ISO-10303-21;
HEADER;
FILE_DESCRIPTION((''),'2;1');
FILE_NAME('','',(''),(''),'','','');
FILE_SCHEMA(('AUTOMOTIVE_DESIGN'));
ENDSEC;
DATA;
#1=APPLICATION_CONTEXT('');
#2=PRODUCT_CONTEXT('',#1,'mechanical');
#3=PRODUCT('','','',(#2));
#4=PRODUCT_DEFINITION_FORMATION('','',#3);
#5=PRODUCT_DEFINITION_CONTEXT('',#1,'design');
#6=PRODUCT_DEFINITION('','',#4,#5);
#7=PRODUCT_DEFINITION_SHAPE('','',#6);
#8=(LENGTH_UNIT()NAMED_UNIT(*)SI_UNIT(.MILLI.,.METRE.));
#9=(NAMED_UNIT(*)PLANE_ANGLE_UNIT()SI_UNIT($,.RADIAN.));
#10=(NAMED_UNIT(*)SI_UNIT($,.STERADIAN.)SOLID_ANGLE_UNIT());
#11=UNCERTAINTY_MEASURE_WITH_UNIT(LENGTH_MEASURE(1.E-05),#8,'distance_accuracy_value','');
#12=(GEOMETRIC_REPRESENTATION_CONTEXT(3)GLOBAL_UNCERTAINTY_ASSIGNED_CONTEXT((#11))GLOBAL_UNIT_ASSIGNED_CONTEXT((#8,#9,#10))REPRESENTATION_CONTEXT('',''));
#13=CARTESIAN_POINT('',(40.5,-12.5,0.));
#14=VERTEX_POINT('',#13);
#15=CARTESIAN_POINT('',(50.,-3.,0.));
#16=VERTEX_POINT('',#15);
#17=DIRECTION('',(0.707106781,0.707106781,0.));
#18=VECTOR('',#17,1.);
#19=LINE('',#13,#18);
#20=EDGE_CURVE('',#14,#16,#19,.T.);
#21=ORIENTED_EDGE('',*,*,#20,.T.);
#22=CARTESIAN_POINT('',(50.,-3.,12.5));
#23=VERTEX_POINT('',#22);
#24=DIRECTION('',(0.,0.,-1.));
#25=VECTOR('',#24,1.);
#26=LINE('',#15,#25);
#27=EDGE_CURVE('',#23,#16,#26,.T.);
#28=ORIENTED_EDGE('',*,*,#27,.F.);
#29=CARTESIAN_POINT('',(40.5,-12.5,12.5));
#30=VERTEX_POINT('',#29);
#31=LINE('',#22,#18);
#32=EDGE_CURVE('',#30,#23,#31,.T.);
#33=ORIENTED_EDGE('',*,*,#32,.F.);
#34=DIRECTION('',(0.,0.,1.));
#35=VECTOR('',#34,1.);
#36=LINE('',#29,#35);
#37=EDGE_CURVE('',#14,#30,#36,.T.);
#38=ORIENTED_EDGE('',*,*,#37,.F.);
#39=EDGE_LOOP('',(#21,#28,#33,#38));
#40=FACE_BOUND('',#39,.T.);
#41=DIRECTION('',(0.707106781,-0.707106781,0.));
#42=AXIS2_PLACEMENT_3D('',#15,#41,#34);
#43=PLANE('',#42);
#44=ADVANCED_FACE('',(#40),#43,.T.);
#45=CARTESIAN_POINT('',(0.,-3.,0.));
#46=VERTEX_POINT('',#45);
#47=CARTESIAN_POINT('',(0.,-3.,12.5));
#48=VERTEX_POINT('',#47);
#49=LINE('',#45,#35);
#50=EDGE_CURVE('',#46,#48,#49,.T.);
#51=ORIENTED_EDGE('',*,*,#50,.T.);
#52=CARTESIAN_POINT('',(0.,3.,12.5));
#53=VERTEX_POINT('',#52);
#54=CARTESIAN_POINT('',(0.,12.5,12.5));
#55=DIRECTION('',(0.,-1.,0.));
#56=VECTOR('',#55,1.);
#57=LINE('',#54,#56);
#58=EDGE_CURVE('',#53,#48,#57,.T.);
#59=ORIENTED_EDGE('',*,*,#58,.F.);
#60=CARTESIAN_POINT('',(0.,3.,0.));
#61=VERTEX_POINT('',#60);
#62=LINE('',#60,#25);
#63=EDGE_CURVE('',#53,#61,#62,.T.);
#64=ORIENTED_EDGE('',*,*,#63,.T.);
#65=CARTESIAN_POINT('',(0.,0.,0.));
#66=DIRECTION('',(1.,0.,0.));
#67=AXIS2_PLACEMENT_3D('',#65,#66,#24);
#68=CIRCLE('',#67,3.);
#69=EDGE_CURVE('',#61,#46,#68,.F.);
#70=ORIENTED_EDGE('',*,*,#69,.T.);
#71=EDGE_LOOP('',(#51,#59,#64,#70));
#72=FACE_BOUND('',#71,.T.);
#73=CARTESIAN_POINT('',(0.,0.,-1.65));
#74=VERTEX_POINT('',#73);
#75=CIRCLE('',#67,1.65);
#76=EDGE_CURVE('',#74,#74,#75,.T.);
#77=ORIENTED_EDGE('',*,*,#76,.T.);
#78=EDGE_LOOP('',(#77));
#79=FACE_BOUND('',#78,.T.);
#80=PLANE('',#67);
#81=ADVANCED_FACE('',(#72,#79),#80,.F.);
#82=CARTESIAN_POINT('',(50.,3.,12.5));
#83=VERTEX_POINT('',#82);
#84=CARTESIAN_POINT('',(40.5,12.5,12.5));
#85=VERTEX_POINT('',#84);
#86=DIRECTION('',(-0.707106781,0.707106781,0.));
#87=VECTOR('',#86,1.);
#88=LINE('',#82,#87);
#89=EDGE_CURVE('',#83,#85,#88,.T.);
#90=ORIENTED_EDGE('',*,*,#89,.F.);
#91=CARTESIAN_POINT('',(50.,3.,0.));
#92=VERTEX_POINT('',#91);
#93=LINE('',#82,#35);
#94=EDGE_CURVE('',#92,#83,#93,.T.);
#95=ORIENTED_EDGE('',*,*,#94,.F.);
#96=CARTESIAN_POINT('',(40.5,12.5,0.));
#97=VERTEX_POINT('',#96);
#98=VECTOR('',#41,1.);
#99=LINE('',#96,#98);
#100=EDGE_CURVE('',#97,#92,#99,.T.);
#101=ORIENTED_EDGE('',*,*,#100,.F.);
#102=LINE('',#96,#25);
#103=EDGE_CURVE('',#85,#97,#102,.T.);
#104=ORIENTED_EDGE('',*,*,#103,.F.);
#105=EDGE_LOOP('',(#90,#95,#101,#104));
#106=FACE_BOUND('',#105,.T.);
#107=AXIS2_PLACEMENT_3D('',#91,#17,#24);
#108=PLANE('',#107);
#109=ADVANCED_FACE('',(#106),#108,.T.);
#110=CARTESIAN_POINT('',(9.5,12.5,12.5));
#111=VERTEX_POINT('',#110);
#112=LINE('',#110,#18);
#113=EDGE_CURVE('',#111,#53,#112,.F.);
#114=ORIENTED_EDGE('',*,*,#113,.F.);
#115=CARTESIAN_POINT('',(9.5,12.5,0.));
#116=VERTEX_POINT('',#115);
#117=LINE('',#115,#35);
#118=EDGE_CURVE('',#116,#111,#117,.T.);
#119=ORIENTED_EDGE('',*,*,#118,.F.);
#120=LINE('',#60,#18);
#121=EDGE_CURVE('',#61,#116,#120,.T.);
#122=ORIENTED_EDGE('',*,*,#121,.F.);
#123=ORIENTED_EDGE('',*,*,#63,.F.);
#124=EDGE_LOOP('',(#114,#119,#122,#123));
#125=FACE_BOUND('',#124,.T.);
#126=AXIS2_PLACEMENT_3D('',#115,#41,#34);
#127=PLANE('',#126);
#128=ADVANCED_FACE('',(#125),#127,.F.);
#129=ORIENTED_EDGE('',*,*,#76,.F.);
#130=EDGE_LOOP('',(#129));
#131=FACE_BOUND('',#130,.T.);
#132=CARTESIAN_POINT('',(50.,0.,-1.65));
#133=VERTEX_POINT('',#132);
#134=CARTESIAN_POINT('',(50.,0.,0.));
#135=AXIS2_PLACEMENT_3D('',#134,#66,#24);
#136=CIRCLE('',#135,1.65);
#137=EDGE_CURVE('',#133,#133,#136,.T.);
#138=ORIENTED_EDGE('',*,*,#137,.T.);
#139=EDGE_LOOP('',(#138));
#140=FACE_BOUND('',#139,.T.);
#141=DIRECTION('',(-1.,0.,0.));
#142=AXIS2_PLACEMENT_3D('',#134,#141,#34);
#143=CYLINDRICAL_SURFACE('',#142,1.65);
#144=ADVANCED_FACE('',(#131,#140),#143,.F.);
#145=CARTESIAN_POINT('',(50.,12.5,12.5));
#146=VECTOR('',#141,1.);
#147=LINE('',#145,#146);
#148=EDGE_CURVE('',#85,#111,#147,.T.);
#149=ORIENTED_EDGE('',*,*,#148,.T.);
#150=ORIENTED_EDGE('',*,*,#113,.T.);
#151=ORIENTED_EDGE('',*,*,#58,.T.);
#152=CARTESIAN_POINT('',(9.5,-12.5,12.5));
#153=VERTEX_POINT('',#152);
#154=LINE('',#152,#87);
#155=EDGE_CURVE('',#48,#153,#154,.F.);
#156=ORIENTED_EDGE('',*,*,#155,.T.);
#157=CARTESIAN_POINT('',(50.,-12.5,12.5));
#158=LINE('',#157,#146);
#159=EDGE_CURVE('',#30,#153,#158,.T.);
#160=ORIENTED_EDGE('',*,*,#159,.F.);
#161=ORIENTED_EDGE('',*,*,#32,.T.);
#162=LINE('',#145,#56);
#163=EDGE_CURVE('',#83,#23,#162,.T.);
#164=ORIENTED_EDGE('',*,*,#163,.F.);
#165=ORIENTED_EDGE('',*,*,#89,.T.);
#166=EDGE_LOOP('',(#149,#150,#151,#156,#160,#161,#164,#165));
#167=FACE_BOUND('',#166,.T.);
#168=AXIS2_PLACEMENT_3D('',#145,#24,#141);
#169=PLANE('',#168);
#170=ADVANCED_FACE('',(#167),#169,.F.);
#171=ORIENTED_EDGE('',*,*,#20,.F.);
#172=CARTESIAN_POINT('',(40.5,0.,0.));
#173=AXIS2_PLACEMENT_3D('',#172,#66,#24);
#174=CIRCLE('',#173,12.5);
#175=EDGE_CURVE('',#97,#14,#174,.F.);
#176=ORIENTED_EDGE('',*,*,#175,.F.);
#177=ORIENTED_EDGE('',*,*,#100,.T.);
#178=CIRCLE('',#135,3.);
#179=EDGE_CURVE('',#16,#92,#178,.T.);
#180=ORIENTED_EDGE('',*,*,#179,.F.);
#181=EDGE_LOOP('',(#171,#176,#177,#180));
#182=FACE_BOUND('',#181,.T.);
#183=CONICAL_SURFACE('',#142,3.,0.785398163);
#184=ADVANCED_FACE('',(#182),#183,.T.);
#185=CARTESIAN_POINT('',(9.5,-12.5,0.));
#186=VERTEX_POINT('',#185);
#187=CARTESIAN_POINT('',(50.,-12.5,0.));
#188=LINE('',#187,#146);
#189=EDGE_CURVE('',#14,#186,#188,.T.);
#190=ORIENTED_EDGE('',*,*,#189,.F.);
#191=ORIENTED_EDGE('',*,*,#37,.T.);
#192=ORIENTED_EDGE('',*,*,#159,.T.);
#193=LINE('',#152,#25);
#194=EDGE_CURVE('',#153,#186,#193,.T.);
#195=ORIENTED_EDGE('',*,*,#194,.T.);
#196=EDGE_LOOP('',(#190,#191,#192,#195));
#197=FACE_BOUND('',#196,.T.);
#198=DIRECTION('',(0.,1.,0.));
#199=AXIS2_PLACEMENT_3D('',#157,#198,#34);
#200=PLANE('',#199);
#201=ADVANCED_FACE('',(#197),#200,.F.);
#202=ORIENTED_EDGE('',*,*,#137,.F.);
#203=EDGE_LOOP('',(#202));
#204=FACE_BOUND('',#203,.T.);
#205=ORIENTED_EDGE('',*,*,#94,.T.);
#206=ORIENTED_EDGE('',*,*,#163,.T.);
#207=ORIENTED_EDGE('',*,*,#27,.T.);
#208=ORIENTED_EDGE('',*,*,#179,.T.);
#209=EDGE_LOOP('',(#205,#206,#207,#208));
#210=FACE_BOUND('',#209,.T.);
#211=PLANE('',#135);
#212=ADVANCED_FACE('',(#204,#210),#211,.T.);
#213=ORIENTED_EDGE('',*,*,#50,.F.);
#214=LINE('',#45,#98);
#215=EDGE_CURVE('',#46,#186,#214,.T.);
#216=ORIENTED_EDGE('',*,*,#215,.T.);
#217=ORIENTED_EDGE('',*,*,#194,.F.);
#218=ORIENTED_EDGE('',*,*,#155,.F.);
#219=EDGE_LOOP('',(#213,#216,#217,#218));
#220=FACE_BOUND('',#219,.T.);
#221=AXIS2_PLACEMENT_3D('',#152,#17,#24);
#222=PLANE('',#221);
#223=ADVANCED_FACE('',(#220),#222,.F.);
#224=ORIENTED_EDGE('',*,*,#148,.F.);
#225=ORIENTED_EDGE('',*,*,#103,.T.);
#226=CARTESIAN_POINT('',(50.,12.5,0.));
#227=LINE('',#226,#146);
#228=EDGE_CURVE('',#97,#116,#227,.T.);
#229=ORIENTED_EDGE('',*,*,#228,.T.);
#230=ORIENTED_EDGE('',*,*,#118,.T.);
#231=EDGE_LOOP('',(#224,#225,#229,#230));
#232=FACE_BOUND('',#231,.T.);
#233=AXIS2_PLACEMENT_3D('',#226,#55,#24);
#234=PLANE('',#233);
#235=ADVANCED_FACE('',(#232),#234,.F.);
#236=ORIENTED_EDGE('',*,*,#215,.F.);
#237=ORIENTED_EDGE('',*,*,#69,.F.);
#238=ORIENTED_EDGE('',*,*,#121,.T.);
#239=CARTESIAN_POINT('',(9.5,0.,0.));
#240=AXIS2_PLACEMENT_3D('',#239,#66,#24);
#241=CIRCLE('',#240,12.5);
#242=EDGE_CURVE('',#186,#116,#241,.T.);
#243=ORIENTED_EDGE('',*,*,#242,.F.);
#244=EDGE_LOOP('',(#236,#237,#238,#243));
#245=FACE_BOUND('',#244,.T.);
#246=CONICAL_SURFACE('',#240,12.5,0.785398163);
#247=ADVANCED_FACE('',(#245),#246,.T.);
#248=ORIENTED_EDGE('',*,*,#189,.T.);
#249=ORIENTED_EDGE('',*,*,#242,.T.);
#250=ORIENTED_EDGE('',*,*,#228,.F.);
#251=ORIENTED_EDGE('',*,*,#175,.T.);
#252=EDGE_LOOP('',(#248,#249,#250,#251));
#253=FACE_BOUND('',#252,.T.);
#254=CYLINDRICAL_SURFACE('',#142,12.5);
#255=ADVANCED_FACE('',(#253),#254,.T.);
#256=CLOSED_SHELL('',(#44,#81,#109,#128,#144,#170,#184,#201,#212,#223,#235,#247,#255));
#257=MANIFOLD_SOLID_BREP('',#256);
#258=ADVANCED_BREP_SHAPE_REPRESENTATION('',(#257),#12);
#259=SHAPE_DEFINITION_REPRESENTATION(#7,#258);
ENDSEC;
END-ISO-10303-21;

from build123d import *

# Parameters (mm, degrees)
SKETCH1_R           = 1.65
BOSS_EXTRUDE1_DEPTH = 50
CHAMFER1_SIZE       = 9.5


with BuildPart() as part:
    # Sketch1 → Boss-Extrude1 (new body)
    with BuildSketch(Plane(origin=(0, 0, 0), x_dir=(0, 0, -1), z_dir=(1, 0, 0))):
        with BuildLine():
            Line((0, 12.5), (-12.5, 12.5))
            Line((-12.5, 12.5), (-12.5, -12.5))
            Line((-12.5, -12.5), (0, -12.5))
            ThreePointArc((0, -12.5), (12.5, 0), (0, 12.5))
        make_face()
        Circle(SKETCH1_R, mode=Mode.SUBTRACT)
    extrude(amount=BOSS_EXTRUDE1_DEPTH)

    # Chamfer1
    chamfer1_edges = [part.edges().sort_by_distance(p)[0] for p in [
        (50, 12.5, 6.25),
        (50, -12.5, 6.25),
        (0, 12.5, 6.25),
        (0, 0, -12.5),
        (0, -12.5, 6.25),
        (50, 0, -12.5),
    ]]
    chamfer(chamfer1_edges, length=CHAMFER1_SIZE)


solid = part.part
